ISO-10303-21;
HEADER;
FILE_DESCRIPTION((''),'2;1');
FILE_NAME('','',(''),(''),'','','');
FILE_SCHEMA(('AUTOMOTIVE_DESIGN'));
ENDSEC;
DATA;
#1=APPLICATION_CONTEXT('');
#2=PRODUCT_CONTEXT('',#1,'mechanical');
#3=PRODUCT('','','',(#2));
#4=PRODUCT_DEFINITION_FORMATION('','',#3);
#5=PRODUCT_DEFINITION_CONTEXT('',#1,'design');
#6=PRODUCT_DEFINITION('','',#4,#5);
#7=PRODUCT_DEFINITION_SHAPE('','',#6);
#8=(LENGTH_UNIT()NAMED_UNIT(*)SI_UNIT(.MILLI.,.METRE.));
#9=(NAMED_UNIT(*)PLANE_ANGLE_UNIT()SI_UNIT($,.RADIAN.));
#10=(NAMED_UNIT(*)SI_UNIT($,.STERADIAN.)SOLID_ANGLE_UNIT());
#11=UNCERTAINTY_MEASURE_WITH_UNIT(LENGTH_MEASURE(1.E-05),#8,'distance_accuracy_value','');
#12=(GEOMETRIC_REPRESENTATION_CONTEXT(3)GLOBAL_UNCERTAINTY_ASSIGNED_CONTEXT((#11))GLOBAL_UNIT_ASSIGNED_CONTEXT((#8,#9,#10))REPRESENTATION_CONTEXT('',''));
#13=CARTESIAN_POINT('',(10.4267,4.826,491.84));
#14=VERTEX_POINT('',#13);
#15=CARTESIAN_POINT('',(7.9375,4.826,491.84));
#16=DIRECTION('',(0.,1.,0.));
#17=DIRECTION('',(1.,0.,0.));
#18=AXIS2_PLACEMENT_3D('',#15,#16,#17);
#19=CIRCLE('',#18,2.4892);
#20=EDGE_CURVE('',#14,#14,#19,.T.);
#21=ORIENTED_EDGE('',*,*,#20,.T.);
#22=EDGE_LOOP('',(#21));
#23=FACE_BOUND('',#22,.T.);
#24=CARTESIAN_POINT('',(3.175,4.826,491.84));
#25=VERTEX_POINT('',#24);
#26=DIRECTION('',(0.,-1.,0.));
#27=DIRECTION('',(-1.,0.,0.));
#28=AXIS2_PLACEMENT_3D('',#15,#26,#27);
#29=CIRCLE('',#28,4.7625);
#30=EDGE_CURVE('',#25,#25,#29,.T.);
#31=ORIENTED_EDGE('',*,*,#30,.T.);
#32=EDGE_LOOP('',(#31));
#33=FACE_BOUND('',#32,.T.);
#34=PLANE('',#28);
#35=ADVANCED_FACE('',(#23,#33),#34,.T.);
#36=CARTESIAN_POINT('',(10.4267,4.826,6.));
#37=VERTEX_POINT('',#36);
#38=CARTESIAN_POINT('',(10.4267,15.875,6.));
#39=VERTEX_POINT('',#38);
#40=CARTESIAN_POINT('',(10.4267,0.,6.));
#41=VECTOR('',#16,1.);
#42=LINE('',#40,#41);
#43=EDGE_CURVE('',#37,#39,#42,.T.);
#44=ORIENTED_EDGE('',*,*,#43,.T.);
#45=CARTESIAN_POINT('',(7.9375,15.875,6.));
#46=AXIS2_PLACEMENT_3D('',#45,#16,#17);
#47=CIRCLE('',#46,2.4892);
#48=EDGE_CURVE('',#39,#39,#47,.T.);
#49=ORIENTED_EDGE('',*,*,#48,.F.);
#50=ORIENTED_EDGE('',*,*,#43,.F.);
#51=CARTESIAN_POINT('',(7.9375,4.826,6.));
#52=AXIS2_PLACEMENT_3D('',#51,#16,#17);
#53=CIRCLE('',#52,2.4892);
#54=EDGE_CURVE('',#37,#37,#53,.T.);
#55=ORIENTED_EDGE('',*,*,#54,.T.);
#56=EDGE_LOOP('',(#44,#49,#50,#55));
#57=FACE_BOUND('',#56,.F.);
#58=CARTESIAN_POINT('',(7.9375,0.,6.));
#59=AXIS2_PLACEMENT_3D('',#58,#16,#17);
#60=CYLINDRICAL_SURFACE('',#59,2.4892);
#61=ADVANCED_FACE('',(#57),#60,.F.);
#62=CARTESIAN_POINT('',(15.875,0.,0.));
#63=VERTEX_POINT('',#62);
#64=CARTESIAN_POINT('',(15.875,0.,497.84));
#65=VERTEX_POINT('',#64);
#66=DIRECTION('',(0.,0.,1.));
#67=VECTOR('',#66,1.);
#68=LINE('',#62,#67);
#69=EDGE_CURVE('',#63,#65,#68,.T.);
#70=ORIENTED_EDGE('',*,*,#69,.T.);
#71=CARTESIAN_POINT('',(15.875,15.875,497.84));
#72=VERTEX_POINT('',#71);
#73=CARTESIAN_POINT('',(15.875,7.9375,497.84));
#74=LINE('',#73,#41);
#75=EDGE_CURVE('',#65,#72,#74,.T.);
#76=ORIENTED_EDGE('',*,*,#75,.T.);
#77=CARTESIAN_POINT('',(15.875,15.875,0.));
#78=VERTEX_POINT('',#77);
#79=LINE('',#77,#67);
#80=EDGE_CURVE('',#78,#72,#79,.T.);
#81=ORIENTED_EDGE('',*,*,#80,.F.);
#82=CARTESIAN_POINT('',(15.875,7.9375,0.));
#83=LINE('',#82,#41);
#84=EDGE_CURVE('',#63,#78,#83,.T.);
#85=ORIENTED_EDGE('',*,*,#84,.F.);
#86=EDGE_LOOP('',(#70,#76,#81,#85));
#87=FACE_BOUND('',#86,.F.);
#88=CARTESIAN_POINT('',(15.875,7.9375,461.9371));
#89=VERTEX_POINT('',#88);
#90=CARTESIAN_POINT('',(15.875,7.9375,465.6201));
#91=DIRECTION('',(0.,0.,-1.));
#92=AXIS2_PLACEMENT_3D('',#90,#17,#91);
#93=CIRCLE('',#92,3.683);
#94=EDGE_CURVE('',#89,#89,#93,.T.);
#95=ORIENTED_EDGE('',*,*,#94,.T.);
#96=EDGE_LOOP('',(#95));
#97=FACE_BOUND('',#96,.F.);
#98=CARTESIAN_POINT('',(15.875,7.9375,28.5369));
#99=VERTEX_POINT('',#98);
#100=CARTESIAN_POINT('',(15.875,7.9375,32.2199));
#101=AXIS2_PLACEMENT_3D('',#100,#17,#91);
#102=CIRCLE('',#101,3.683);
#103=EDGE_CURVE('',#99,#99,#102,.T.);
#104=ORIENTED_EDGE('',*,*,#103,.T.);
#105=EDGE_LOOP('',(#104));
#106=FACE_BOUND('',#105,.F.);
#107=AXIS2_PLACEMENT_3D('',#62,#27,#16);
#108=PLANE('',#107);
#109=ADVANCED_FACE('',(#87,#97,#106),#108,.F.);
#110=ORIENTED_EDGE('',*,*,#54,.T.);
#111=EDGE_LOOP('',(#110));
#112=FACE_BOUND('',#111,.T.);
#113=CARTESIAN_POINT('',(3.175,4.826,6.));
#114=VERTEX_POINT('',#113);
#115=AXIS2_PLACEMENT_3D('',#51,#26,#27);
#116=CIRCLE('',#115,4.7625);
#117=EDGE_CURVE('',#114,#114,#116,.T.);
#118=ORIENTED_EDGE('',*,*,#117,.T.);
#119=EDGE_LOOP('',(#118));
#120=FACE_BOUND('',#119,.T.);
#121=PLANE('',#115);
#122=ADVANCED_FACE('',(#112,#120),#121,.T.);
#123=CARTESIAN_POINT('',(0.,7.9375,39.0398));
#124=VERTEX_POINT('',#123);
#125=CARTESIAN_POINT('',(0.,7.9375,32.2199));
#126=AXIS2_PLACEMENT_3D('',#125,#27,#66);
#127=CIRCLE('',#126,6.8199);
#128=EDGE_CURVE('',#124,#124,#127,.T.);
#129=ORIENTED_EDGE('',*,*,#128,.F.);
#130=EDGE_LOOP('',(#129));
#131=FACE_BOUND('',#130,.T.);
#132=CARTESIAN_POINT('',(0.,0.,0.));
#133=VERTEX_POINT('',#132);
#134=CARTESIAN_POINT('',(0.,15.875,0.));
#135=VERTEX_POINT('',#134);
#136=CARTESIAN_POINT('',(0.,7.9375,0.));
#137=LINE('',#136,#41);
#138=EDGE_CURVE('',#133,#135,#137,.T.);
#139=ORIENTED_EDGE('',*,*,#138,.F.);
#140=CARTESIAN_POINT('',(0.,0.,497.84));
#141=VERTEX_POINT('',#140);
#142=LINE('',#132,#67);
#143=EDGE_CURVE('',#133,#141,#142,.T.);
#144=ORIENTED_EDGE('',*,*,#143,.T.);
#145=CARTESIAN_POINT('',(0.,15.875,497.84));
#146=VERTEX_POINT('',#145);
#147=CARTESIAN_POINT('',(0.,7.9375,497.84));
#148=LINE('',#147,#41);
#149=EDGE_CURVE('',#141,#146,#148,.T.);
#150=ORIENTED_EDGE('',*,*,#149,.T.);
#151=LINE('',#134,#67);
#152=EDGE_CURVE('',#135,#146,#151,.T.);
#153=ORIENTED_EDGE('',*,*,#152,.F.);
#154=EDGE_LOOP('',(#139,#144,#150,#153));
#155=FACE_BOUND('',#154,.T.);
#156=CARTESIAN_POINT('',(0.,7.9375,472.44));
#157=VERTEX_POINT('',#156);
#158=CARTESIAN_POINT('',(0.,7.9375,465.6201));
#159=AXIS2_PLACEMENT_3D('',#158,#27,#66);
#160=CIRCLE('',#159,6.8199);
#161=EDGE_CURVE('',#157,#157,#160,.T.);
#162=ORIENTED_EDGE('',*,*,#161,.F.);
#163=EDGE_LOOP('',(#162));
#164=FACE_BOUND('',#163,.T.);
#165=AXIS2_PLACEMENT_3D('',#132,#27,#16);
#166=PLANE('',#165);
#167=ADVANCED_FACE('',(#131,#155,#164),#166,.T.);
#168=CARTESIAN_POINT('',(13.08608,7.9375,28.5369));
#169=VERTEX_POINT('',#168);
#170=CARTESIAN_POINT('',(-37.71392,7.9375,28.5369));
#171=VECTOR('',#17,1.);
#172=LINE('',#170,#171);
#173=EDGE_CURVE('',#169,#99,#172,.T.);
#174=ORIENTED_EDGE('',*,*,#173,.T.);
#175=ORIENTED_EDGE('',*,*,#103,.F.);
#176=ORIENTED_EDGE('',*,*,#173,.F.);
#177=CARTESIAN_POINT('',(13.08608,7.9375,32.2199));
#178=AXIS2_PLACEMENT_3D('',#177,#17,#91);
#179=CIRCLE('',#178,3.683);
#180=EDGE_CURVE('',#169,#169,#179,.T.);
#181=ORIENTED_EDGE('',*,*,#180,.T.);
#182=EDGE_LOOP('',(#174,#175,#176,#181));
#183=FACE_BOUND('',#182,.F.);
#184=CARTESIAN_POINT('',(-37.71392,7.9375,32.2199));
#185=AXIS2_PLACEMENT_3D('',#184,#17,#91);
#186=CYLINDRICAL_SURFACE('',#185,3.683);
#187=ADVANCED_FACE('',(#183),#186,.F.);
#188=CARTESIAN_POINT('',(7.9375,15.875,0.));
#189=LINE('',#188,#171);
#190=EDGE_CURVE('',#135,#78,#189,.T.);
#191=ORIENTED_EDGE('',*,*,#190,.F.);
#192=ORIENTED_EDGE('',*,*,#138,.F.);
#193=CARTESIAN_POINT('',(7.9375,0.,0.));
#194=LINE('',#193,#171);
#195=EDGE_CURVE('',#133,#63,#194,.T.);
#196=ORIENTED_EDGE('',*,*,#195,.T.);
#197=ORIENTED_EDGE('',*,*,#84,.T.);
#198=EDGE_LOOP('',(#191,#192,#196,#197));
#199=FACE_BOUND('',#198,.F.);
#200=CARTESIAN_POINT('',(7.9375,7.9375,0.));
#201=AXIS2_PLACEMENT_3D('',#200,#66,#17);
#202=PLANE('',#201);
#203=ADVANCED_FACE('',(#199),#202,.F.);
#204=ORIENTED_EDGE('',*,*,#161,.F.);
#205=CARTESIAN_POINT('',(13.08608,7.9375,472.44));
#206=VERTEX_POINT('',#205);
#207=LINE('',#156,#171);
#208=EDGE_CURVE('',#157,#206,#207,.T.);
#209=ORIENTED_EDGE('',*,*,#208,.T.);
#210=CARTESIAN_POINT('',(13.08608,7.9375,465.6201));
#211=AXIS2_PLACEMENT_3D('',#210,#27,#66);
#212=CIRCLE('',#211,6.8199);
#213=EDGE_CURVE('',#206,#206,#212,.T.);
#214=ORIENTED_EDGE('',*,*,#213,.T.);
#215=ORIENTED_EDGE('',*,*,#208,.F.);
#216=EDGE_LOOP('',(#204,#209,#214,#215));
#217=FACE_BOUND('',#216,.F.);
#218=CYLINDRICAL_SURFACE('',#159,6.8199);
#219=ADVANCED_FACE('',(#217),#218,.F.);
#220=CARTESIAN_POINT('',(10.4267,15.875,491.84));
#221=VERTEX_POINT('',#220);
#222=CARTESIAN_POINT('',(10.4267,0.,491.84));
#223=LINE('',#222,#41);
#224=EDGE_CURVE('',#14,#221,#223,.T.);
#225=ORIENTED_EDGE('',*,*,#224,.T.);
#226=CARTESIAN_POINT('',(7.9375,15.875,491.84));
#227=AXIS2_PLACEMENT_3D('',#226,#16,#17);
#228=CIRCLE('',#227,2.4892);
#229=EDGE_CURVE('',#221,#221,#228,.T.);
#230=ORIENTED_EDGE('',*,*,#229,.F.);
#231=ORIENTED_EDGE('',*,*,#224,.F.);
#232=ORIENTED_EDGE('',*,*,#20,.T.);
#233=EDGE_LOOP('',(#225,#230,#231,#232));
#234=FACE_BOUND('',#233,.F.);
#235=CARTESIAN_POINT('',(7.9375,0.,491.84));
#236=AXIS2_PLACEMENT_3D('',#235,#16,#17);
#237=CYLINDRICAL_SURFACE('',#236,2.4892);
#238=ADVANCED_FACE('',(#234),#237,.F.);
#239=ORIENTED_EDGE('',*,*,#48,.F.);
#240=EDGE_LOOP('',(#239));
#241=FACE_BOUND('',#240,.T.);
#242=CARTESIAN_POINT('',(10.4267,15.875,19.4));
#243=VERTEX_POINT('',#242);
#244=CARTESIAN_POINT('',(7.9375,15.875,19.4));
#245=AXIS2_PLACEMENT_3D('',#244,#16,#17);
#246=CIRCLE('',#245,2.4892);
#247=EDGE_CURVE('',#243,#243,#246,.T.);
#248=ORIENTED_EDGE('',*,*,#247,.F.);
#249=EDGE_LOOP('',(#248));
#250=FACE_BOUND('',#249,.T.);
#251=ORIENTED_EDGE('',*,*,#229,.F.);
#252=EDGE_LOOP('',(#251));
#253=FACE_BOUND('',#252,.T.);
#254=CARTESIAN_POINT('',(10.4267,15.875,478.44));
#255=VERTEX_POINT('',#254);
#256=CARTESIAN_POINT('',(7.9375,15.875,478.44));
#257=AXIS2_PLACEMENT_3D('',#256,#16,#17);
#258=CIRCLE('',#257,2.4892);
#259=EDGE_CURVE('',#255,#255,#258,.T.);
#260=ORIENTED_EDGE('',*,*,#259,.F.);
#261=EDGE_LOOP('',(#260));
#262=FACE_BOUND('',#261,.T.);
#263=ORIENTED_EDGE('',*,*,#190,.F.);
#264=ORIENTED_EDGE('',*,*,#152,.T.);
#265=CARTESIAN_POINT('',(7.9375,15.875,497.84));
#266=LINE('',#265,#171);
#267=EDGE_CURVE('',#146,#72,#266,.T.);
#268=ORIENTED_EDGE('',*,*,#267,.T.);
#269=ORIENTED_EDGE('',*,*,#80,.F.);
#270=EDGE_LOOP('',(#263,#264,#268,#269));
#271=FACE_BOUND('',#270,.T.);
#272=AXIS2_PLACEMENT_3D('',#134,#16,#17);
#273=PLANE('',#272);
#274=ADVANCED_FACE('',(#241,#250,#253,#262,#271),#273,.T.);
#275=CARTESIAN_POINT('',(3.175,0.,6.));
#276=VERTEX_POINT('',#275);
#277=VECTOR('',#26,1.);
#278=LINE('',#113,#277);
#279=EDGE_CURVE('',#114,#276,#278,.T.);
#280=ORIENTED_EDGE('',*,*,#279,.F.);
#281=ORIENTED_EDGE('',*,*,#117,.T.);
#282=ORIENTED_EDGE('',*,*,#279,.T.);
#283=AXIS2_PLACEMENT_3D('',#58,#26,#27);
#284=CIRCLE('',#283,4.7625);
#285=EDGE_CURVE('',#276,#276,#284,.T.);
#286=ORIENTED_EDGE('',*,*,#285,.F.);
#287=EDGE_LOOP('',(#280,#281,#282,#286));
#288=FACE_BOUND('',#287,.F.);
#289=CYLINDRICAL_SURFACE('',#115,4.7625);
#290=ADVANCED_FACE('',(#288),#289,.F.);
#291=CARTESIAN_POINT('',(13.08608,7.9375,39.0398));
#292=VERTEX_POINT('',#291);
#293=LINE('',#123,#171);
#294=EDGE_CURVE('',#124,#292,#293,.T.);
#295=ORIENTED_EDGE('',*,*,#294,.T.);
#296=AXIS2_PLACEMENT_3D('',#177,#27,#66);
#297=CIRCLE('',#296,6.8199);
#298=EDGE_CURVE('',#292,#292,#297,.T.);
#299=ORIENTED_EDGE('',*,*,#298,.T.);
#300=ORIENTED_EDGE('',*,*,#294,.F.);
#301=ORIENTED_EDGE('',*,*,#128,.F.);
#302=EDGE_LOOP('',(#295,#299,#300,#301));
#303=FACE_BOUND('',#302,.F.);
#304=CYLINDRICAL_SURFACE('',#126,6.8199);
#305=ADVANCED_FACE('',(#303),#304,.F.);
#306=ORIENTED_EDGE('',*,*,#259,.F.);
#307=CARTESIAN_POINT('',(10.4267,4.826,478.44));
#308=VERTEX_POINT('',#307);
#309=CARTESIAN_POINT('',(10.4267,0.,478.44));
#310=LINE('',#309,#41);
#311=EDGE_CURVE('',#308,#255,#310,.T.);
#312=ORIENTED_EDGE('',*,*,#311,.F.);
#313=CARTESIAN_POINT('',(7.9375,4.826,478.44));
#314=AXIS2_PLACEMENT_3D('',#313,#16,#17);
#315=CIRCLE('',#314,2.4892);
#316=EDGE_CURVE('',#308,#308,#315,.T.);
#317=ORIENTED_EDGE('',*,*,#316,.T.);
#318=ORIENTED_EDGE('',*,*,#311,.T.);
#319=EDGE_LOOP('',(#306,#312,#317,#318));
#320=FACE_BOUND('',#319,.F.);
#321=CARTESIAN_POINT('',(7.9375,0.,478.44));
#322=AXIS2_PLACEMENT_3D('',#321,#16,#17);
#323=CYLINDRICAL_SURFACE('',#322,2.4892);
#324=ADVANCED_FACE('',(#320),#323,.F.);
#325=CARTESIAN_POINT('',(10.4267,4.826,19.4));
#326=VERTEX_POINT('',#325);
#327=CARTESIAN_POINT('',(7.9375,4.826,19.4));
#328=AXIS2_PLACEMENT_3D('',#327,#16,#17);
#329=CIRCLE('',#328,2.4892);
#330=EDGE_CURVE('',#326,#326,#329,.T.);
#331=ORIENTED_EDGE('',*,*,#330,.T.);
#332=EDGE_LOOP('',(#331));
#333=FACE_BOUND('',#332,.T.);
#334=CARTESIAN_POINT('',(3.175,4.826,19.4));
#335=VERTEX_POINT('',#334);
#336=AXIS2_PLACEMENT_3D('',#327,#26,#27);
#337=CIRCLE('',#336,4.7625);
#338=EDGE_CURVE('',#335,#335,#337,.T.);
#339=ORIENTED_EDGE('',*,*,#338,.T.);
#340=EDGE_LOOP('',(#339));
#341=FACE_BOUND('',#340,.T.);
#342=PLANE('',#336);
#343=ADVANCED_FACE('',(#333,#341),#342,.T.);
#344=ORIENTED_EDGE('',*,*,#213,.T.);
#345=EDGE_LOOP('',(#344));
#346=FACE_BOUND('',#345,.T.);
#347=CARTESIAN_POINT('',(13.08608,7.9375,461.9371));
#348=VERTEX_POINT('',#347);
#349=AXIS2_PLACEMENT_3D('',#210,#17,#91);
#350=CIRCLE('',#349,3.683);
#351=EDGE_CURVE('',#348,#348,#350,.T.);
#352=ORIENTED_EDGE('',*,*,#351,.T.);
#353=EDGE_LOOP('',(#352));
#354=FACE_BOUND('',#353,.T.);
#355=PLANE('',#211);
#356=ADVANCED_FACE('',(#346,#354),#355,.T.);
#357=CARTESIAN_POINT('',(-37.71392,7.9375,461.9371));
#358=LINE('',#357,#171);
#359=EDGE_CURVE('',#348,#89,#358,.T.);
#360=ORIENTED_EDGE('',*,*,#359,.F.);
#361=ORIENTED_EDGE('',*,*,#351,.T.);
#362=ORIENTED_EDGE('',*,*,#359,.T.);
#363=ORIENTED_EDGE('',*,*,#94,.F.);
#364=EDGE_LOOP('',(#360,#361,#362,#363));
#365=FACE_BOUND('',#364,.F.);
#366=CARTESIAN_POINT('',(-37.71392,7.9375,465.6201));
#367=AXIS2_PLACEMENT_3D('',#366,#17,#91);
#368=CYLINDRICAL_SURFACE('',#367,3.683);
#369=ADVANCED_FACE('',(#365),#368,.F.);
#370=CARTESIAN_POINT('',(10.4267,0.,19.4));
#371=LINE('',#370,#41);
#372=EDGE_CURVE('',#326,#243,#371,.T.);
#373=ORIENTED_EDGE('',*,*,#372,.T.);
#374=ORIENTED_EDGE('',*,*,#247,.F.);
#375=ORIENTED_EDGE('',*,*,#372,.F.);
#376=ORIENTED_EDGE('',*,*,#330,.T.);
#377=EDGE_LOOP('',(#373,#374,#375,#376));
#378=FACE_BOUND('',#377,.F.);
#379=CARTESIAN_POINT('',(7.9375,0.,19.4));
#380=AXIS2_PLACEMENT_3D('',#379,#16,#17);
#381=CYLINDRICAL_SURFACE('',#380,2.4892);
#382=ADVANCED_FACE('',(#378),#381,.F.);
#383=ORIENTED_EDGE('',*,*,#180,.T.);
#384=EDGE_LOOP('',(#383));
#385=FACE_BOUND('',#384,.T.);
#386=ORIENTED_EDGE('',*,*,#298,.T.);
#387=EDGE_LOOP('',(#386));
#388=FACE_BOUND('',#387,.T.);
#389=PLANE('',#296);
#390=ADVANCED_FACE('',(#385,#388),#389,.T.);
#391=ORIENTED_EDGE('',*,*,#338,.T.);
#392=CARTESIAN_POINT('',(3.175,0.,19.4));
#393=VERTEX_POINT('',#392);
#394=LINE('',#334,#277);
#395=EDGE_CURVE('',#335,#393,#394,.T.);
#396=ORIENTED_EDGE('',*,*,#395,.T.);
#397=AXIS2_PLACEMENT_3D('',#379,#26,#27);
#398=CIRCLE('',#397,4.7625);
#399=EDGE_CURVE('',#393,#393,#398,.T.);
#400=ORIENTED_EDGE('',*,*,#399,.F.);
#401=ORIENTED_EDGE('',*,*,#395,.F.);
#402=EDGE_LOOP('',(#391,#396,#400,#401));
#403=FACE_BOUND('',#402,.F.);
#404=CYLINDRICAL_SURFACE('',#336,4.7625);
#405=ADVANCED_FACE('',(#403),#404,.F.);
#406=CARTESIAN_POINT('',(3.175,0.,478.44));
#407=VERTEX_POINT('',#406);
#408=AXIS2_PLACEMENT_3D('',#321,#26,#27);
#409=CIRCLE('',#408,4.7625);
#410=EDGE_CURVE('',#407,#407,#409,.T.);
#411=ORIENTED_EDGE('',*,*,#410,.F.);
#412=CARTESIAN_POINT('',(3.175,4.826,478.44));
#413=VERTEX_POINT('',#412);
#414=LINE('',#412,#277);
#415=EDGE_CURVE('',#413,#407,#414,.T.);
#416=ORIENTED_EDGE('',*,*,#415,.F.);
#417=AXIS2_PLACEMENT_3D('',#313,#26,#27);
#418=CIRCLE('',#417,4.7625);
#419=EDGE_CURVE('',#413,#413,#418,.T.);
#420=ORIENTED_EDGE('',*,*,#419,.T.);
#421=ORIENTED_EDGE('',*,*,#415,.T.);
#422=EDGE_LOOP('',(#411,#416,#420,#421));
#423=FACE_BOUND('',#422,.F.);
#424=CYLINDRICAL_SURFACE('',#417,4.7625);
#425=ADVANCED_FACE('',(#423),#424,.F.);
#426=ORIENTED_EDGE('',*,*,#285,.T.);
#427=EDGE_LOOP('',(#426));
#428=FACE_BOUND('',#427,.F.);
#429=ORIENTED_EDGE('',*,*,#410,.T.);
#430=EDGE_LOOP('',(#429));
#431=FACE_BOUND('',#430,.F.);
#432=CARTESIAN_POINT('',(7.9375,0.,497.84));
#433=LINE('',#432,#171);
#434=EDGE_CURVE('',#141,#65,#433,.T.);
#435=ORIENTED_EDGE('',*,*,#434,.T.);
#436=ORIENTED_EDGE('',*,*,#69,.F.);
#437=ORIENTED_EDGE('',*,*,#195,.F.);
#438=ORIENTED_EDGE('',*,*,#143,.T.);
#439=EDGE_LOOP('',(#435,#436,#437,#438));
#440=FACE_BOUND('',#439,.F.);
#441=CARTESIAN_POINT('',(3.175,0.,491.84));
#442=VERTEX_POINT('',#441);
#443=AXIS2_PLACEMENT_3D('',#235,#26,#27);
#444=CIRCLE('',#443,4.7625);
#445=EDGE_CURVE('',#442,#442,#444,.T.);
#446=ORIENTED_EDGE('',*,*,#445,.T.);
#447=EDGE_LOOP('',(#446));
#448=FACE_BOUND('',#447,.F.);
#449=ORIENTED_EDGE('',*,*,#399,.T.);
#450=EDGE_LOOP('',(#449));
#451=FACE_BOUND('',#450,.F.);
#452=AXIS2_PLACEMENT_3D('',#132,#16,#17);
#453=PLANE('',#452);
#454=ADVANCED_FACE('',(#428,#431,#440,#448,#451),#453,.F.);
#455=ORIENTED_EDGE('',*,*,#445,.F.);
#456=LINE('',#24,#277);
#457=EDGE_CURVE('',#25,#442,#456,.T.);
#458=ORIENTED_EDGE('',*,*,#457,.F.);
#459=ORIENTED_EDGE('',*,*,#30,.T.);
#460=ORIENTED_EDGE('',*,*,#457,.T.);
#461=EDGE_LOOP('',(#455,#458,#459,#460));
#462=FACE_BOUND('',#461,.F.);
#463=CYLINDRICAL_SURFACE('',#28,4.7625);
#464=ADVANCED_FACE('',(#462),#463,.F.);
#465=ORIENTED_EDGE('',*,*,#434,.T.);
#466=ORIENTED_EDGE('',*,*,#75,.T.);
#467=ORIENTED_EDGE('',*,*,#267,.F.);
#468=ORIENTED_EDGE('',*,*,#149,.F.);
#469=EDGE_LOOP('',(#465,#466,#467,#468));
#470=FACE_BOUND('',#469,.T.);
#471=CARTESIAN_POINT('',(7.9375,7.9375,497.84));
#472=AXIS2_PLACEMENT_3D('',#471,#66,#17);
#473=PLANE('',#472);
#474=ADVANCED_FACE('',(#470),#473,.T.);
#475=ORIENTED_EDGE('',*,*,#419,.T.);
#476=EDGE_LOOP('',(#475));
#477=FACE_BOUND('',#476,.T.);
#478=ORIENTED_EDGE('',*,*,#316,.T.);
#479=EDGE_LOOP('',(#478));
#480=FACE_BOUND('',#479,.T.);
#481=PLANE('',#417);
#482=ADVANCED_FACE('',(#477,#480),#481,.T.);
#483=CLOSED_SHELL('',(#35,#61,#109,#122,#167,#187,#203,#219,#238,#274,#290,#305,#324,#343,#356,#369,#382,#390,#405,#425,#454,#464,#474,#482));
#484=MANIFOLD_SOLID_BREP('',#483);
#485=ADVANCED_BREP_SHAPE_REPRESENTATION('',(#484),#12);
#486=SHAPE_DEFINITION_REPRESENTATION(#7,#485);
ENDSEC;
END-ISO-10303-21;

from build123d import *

# Parameters (mm, degrees)
SKETCH1_W                                       = 15.875
SKETCH1_H                                       = 15.875
BOSS_EXTRUDE1_DEPTH                             = 497.84
SKETCH8_R                                       = 6.8199
CUT_EXTRUDE1_DEPTH                              = 13.08608
L_0_29_DIAMETER_HOLE1_D                         = 7.366
L_0_29_DIAMETER_HOLE1_DEPTH                     = 50.8
L_0_29_DIAMETER_HOLE1_TIP                       = 2.21296966
CBORE_FOR_10_SOCKET_HEAD_CAP_SCREW1_D           = 4.9784
CBORE_FOR_10_SOCKET_HEAD_CAP_SCREW1_DEPTH       = 25.4
CBORE_FOR_10_SOCKET_HEAD_CAP_SCREW1_CBORE_D     = 9.525
CBORE_FOR_10_SOCKET_HEAD_CAP_SCREW1_CBORE_DEPTH = 4.826
CBORE_FOR_10_SOCKET_HEAD_CAP_SCREW1_TIP         = 1.495662253
CBORE_FOR_10_SOCKET_HEAD_CAP_SCREW2_D           = 4.9784
CBORE_FOR_10_SOCKET_HEAD_CAP_SCREW2_DEPTH       = 25.4
CBORE_FOR_10_SOCKET_HEAD_CAP_SCREW2_CBORE_D     = 9.525
CBORE_FOR_10_SOCKET_HEAD_CAP_SCREW2_CBORE_DEPTH = 4.826
CBORE_FOR_10_SOCKET_HEAD_CAP_SCREW2_TIP         = 1.495662253


with BuildPart() as part:
    # Sketch1 → Boss-Extrude1 (new body)
    with BuildSketch(Plane.XY):
        with Locations((7.9375, 7.9375)):
            Rectangle(SKETCH1_W, SKETCH1_H)
    extrude(amount=BOSS_EXTRUDE1_DEPTH)

    # Sketch8 → Cut-Extrude1 (cut)
    with BuildSketch(Plane.ZY):
        with Locations((465.6201, 7.9375)):
            Circle(SKETCH8_R)
        with Locations((32.2199, 7.9375)):
            Circle(SKETCH8_R)
    extrude(amount=-CUT_EXTRUDE1_DEPTH, mode=Mode.SUBTRACT)

    # L (0.29) Diameter Hole1
    with Locations(Plane.ZY.offset(-13.08608)):
        with Locations((32.2199, 7.9375), (465.6201, 7.9375)):
            Hole(L_0_29_DIAMETER_HOLE1_D / 2, depth=L_0_29_DIAMETER_HOLE1_DEPTH)
            with Locations((0, 0, -(L_0_29_DIAMETER_HOLE1_DEPTH + L_0_29_DIAMETER_HOLE1_TIP / 2))):  # 118° drill point
                Cone(0, L_0_29_DIAMETER_HOLE1_D / 2, L_0_29_DIAMETER_HOLE1_TIP, mode=Mode.SUBTRACT)

    # CBORE for #10 Socket Head Cap Screw1
    with Locations(Plane(origin=(-863.724136144, 0, -1707.973131805), x_dir=(-1, 0, 0), z_dir=(0, -1, 0))):
        with Locations((-404.936636144, -2199.813131805), (-404.936636144, -2186.413131805), (-871.661636144, -2186.413131805), (-871.661636144, -2199.813131805)):
            CounterBoreHole(CBORE_FOR_10_SOCKET_HEAD_CAP_SCREW1_D / 2, CBORE_FOR_10_SOCKET_HEAD_CAP_SCREW1_CBORE_D / 2, CBORE_FOR_10_SOCKET_HEAD_CAP_SCREW1_CBORE_DEPTH, depth=CBORE_FOR_10_SOCKET_HEAD_CAP_SCREW1_DEPTH)
            with Locations((0, 0, -(CBORE_FOR_10_SOCKET_HEAD_CAP_SCREW1_DEPTH + CBORE_FOR_10_SOCKET_HEAD_CAP_SCREW1_TIP / 2))):  # 118° drill point
                Cone(0, CBORE_FOR_10_SOCKET_HEAD_CAP_SCREW1_D / 2, CBORE_FOR_10_SOCKET_HEAD_CAP_SCREW1_TIP, mode=Mode.SUBTRACT)

    # CBORE for #10 Socket Head Cap Screw2
    with Locations(Plane(origin=(-863.724136144, 0, -1707.973131805), x_dir=(-1, 0, 0), z_dir=(0, -1, 0))):
        with Locations((-404.936636144, -1713.973131805), (-404.936636144, -1727.373131805), (-871.661636144, -1713.973131805), (-871.661636144, -1727.373131805)):
            CounterBoreHole(CBORE_FOR_10_SOCKET_HEAD_CAP_SCREW2_D / 2, CBORE_FOR_10_SOCKET_HEAD_CAP_SCREW2_CBORE_D / 2, CBORE_FOR_10_SOCKET_HEAD_CAP_SCREW2_CBORE_DEPTH, depth=CBORE_FOR_10_SOCKET_HEAD_CAP_SCREW2_DEPTH)
            with Locations((0, 0, -(CBORE_FOR_10_SOCKET_HEAD_CAP_SCREW2_DEPTH + CBORE_FOR_10_SOCKET_HEAD_CAP_SCREW2_TIP / 2))):  # 118° drill point
                Cone(0, CBORE_FOR_10_SOCKET_HEAD_CAP_SCREW2_D / 2, CBORE_FOR_10_SOCKET_HEAD_CAP_SCREW2_TIP, mode=Mode.SUBTRACT)


solid = part.part
